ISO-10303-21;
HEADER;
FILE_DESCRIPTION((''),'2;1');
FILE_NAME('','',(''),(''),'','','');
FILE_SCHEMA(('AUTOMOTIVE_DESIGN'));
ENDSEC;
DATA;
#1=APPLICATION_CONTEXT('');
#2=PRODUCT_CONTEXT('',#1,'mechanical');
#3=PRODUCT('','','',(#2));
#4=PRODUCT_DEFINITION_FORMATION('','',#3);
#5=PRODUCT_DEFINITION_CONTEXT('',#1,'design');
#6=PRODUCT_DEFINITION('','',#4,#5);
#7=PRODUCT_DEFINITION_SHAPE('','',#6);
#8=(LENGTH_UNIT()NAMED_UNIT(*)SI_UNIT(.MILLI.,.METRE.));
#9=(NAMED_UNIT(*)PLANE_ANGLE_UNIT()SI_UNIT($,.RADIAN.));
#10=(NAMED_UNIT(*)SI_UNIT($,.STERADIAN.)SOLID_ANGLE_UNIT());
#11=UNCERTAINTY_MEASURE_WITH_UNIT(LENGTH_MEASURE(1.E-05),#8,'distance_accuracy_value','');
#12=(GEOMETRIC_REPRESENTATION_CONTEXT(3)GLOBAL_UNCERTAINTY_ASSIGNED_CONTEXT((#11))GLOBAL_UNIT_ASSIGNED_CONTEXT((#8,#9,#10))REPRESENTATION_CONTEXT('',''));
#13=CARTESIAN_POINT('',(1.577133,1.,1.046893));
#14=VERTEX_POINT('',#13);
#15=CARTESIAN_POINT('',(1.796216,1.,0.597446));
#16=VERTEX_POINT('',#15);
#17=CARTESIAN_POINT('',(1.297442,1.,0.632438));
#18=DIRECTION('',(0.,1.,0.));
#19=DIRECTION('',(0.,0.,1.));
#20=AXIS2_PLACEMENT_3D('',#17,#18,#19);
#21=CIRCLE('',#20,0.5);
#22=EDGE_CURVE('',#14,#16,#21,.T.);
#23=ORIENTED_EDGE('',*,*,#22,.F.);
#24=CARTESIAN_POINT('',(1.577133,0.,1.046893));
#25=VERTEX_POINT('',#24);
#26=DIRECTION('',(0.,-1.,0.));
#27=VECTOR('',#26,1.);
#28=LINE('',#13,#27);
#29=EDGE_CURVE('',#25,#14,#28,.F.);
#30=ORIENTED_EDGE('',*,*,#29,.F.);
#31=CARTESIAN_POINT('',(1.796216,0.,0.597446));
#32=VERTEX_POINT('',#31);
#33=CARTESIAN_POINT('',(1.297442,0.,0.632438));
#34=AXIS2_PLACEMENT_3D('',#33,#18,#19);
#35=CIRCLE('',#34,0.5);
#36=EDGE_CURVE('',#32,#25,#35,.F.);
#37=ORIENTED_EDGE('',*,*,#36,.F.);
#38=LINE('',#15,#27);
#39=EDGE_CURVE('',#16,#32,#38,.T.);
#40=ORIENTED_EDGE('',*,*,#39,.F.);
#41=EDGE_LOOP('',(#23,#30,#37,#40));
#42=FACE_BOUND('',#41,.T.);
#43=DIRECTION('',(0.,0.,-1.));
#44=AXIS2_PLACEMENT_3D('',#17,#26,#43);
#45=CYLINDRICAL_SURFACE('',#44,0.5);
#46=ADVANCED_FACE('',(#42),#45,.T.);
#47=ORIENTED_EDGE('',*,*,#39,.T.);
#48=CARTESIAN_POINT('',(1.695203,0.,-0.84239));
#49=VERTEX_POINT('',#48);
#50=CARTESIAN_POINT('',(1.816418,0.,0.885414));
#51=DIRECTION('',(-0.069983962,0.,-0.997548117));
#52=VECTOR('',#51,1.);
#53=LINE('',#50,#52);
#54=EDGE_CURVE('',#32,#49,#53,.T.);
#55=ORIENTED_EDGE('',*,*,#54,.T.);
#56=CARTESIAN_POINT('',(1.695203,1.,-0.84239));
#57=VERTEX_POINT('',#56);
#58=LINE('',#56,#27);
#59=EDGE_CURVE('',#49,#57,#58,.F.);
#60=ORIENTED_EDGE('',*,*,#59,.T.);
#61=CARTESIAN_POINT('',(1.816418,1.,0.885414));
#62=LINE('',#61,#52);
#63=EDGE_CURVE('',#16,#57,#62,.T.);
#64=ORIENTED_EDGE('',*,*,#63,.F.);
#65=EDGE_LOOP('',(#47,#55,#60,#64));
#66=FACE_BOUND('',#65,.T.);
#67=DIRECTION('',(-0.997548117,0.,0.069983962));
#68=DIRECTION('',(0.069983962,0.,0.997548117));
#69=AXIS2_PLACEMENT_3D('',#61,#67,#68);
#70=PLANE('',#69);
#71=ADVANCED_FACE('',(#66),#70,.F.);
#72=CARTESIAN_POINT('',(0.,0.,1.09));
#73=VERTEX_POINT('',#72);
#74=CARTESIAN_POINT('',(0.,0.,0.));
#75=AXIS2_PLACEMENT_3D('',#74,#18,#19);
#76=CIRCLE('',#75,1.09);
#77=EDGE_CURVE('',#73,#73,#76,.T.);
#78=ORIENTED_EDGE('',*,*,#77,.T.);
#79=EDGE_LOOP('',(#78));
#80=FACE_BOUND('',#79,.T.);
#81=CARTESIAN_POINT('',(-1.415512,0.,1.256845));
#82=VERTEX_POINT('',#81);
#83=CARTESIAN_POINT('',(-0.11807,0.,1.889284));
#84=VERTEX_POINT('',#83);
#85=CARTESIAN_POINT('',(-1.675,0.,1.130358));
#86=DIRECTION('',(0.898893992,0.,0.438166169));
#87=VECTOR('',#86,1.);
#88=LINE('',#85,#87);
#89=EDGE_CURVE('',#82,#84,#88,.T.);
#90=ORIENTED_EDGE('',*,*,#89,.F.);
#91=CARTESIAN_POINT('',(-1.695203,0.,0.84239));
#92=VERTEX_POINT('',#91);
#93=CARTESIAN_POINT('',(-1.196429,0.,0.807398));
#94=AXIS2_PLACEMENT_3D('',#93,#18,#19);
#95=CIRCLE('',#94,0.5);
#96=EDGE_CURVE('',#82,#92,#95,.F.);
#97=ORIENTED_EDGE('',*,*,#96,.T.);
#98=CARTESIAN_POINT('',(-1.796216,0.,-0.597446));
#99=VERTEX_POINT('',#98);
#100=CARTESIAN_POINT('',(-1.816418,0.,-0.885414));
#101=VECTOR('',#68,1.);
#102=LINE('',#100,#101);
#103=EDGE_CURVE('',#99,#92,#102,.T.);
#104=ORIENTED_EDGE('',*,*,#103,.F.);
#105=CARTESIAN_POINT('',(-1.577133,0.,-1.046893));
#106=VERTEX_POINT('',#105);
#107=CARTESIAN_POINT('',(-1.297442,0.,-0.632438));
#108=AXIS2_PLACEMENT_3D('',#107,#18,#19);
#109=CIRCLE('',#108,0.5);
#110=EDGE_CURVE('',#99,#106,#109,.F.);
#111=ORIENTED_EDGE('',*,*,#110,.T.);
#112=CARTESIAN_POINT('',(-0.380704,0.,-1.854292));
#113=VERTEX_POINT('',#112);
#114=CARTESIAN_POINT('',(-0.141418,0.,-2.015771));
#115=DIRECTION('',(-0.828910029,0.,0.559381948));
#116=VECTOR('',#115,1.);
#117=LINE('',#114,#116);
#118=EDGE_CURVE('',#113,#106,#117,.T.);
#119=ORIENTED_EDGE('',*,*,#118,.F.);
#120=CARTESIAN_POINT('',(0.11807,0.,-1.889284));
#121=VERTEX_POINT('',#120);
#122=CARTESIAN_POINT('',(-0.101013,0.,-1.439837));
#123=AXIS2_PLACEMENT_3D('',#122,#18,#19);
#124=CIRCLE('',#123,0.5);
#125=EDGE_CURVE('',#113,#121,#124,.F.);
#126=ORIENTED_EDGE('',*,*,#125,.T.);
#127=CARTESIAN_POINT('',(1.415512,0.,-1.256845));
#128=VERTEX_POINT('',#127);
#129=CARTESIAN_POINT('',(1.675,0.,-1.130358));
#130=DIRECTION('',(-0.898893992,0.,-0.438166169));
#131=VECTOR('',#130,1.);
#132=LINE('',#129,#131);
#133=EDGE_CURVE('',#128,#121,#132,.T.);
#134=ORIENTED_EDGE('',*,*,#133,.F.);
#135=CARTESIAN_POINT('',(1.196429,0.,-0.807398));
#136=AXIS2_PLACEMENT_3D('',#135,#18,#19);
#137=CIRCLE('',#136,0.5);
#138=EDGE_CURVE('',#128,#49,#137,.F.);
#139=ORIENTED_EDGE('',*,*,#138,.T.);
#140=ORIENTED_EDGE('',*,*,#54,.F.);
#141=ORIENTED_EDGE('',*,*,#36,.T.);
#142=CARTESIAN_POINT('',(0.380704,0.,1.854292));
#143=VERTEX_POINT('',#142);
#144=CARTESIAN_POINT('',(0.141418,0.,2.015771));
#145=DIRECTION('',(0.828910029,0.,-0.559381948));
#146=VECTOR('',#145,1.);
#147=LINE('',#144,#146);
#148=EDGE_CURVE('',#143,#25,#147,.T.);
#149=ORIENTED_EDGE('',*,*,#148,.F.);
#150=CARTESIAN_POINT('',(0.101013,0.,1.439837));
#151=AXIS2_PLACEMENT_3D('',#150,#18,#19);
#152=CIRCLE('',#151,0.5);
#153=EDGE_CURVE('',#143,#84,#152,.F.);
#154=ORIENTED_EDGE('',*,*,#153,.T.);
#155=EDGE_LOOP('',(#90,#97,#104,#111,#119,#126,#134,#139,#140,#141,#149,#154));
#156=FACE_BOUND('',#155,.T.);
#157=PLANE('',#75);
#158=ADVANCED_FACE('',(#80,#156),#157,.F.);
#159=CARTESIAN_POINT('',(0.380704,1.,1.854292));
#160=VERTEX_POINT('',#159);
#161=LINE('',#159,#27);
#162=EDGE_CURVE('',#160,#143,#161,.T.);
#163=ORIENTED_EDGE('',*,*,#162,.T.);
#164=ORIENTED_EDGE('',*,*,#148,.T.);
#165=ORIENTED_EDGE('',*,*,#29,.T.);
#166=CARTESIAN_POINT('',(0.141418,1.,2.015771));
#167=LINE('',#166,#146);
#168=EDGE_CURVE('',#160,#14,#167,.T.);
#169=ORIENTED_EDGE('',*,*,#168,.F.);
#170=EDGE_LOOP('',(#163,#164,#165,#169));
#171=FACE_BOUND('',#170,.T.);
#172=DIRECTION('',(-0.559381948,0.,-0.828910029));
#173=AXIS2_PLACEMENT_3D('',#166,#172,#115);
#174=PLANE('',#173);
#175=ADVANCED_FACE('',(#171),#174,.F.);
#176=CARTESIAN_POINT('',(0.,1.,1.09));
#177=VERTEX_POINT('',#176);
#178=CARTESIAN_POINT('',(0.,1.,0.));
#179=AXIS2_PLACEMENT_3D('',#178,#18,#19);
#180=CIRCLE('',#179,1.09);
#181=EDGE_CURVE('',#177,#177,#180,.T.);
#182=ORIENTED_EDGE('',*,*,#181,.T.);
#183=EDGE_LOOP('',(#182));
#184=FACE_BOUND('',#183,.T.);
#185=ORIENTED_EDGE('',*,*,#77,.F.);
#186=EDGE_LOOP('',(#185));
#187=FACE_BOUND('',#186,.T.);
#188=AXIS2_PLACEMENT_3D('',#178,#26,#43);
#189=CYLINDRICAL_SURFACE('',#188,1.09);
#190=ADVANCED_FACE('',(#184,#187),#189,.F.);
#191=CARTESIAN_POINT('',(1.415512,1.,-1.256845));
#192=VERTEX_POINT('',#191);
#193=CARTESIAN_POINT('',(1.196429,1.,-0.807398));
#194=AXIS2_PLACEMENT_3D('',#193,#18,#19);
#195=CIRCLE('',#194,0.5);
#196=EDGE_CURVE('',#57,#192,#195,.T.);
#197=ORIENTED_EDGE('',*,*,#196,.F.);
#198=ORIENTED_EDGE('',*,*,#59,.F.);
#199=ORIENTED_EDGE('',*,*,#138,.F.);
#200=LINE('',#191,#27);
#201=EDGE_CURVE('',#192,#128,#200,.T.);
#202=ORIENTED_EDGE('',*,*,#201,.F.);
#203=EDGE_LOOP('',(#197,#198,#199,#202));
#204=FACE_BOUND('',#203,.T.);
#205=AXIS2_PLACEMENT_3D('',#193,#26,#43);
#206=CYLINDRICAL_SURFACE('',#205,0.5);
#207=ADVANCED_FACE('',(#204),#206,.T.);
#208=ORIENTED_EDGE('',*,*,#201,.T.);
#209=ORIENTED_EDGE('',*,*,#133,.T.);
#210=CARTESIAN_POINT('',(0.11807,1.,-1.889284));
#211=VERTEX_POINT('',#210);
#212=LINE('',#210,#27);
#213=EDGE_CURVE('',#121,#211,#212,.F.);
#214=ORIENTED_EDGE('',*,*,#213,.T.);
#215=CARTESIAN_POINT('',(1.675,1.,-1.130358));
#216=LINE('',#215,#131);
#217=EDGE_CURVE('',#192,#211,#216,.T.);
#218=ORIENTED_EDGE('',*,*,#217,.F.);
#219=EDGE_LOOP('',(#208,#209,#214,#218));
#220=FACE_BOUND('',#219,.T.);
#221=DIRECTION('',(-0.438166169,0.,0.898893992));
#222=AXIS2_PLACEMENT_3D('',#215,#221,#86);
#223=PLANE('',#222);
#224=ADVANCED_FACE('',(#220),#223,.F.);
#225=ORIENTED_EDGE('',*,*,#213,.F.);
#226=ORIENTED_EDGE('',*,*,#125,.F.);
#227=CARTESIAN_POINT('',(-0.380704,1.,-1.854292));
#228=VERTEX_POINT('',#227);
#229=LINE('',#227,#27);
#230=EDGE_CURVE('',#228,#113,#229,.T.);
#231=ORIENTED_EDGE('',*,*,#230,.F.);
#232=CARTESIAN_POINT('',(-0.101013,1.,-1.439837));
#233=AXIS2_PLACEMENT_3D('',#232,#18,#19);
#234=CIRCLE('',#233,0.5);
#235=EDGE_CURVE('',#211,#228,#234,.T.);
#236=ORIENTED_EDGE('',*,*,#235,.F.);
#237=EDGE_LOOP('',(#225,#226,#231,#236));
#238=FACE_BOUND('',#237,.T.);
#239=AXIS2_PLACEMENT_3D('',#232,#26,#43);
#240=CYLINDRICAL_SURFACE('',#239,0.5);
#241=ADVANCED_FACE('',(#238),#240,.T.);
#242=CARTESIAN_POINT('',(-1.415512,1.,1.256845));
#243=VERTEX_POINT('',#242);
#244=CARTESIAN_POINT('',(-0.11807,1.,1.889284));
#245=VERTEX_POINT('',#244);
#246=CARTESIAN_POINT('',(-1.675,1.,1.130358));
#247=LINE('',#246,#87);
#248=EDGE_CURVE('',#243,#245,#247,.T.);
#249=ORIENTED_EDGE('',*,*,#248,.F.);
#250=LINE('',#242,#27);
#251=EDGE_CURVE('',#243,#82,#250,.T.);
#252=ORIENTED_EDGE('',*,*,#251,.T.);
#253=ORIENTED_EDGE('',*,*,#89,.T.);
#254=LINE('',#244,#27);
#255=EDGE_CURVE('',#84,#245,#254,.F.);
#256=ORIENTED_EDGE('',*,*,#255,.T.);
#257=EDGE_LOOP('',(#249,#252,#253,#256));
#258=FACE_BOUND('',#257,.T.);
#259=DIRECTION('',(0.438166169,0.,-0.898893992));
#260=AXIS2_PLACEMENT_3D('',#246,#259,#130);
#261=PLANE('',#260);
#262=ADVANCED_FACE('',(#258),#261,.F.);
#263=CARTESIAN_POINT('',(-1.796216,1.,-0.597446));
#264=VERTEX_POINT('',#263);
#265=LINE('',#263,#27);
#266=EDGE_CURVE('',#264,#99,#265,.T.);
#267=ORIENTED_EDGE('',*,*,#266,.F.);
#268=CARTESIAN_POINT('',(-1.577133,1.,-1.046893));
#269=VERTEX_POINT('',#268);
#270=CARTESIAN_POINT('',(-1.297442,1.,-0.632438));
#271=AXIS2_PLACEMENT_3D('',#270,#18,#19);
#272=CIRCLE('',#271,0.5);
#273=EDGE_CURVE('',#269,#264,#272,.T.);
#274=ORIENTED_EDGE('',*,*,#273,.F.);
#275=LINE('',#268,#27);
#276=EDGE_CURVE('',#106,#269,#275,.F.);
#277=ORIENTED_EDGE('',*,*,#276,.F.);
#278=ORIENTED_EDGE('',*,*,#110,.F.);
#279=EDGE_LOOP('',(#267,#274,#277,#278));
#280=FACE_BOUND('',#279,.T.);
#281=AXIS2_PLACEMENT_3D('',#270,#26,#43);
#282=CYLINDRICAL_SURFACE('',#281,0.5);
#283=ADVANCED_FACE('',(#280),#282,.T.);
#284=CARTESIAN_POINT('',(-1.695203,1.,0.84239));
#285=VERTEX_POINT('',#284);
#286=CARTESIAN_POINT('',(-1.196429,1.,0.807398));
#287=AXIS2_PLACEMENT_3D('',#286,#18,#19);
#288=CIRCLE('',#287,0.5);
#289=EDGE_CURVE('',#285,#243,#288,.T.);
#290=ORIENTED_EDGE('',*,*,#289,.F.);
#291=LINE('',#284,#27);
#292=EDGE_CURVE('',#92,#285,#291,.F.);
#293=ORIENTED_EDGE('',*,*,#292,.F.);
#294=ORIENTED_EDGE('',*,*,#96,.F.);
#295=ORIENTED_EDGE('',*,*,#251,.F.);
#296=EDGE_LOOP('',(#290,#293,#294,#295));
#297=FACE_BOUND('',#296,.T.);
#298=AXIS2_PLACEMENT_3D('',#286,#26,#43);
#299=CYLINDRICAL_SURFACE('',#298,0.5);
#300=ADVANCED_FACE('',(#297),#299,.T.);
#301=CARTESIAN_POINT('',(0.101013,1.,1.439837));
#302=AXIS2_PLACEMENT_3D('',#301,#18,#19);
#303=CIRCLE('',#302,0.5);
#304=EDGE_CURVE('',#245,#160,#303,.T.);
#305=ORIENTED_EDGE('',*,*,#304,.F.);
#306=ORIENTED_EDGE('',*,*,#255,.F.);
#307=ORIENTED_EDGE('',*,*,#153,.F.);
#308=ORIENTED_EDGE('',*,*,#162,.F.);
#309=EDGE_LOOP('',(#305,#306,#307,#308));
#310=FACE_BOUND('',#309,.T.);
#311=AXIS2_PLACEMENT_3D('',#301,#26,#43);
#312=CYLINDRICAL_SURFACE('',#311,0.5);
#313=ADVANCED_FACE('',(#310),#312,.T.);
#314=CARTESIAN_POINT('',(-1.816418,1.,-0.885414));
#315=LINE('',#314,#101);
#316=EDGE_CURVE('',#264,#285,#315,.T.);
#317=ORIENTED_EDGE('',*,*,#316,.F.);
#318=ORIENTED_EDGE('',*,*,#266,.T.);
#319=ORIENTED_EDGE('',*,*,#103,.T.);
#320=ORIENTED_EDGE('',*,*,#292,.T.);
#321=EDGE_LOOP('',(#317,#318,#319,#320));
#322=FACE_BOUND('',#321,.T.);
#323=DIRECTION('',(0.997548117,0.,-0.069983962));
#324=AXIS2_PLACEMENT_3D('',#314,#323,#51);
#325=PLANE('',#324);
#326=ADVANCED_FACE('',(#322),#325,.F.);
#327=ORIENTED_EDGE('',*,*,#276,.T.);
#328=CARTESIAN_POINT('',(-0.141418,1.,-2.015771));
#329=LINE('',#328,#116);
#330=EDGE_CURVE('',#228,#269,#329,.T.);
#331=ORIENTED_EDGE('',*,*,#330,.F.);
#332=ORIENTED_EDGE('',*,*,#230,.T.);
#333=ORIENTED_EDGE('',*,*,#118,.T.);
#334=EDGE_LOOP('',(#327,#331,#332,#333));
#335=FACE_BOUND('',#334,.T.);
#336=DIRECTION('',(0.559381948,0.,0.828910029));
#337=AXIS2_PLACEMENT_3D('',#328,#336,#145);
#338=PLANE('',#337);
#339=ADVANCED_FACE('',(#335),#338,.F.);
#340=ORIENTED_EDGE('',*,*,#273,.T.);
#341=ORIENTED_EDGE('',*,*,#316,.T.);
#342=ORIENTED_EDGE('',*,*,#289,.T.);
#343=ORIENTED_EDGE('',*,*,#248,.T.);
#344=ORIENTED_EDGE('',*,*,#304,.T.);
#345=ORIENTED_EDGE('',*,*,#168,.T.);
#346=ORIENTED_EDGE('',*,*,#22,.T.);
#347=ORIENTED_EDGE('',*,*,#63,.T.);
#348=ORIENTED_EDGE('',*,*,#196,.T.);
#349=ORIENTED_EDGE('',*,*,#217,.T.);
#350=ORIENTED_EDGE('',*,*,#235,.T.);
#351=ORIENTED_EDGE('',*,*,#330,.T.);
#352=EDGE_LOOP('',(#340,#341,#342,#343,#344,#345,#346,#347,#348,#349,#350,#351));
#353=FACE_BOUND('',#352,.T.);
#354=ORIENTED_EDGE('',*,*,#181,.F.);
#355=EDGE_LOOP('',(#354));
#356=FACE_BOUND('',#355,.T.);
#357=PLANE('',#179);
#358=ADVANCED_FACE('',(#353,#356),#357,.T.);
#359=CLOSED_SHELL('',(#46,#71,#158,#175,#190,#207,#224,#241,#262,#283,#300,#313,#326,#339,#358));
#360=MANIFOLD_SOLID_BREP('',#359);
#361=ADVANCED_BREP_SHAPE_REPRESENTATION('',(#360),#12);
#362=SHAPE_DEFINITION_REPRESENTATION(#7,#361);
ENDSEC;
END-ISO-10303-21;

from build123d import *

# Parameters (mm, degrees)
SKETCH1_R           = 1.09
BOSS_EXTRUDE1_DEPTH = 1
FILLET1_R           = 0.5


with BuildPart() as part:
    # Sketch1 → Boss-Extrude1 (new body)
    with BuildSketch(Plane(origin=(0, 0, 0), x_dir=(1, 0, 0), z_dir=(0, 1, 0))):
        Polygon((-0.141418408, 2.015771358), (-1.816418408, 0.885413745), (-1.675, -1.130357613), (0.141418408, -2.015771358), (1.816418408, -0.885413745), (1.675, 1.130357613), align=None)
        with Locations(Location((0, 0, 0), (0, 0, 270))):
            Circle(SKETCH1_R, mode=Mode.SUBTRACT)
    extrude(amount=BOSS_EXTRUDE1_DEPTH)

    # Fillet1
    fillet1_edges = [part.edges().sort_by_distance(p)[0] for p in [
        (1.675, 0.5, -1.130357613),
        (1.816418408, 0.5, 0.885413745),
        (0.141418408, 0.5, 2.015771358),
        (-1.675, 0.5, 1.130357613),
        (-1.816418408, 0.5, -0.885413745),
        (-0.141418408, 0.5, -2.015771358),
    ]]
    fillet(fillet1_edges, radius=FILLET1_R)


solid = part.part
